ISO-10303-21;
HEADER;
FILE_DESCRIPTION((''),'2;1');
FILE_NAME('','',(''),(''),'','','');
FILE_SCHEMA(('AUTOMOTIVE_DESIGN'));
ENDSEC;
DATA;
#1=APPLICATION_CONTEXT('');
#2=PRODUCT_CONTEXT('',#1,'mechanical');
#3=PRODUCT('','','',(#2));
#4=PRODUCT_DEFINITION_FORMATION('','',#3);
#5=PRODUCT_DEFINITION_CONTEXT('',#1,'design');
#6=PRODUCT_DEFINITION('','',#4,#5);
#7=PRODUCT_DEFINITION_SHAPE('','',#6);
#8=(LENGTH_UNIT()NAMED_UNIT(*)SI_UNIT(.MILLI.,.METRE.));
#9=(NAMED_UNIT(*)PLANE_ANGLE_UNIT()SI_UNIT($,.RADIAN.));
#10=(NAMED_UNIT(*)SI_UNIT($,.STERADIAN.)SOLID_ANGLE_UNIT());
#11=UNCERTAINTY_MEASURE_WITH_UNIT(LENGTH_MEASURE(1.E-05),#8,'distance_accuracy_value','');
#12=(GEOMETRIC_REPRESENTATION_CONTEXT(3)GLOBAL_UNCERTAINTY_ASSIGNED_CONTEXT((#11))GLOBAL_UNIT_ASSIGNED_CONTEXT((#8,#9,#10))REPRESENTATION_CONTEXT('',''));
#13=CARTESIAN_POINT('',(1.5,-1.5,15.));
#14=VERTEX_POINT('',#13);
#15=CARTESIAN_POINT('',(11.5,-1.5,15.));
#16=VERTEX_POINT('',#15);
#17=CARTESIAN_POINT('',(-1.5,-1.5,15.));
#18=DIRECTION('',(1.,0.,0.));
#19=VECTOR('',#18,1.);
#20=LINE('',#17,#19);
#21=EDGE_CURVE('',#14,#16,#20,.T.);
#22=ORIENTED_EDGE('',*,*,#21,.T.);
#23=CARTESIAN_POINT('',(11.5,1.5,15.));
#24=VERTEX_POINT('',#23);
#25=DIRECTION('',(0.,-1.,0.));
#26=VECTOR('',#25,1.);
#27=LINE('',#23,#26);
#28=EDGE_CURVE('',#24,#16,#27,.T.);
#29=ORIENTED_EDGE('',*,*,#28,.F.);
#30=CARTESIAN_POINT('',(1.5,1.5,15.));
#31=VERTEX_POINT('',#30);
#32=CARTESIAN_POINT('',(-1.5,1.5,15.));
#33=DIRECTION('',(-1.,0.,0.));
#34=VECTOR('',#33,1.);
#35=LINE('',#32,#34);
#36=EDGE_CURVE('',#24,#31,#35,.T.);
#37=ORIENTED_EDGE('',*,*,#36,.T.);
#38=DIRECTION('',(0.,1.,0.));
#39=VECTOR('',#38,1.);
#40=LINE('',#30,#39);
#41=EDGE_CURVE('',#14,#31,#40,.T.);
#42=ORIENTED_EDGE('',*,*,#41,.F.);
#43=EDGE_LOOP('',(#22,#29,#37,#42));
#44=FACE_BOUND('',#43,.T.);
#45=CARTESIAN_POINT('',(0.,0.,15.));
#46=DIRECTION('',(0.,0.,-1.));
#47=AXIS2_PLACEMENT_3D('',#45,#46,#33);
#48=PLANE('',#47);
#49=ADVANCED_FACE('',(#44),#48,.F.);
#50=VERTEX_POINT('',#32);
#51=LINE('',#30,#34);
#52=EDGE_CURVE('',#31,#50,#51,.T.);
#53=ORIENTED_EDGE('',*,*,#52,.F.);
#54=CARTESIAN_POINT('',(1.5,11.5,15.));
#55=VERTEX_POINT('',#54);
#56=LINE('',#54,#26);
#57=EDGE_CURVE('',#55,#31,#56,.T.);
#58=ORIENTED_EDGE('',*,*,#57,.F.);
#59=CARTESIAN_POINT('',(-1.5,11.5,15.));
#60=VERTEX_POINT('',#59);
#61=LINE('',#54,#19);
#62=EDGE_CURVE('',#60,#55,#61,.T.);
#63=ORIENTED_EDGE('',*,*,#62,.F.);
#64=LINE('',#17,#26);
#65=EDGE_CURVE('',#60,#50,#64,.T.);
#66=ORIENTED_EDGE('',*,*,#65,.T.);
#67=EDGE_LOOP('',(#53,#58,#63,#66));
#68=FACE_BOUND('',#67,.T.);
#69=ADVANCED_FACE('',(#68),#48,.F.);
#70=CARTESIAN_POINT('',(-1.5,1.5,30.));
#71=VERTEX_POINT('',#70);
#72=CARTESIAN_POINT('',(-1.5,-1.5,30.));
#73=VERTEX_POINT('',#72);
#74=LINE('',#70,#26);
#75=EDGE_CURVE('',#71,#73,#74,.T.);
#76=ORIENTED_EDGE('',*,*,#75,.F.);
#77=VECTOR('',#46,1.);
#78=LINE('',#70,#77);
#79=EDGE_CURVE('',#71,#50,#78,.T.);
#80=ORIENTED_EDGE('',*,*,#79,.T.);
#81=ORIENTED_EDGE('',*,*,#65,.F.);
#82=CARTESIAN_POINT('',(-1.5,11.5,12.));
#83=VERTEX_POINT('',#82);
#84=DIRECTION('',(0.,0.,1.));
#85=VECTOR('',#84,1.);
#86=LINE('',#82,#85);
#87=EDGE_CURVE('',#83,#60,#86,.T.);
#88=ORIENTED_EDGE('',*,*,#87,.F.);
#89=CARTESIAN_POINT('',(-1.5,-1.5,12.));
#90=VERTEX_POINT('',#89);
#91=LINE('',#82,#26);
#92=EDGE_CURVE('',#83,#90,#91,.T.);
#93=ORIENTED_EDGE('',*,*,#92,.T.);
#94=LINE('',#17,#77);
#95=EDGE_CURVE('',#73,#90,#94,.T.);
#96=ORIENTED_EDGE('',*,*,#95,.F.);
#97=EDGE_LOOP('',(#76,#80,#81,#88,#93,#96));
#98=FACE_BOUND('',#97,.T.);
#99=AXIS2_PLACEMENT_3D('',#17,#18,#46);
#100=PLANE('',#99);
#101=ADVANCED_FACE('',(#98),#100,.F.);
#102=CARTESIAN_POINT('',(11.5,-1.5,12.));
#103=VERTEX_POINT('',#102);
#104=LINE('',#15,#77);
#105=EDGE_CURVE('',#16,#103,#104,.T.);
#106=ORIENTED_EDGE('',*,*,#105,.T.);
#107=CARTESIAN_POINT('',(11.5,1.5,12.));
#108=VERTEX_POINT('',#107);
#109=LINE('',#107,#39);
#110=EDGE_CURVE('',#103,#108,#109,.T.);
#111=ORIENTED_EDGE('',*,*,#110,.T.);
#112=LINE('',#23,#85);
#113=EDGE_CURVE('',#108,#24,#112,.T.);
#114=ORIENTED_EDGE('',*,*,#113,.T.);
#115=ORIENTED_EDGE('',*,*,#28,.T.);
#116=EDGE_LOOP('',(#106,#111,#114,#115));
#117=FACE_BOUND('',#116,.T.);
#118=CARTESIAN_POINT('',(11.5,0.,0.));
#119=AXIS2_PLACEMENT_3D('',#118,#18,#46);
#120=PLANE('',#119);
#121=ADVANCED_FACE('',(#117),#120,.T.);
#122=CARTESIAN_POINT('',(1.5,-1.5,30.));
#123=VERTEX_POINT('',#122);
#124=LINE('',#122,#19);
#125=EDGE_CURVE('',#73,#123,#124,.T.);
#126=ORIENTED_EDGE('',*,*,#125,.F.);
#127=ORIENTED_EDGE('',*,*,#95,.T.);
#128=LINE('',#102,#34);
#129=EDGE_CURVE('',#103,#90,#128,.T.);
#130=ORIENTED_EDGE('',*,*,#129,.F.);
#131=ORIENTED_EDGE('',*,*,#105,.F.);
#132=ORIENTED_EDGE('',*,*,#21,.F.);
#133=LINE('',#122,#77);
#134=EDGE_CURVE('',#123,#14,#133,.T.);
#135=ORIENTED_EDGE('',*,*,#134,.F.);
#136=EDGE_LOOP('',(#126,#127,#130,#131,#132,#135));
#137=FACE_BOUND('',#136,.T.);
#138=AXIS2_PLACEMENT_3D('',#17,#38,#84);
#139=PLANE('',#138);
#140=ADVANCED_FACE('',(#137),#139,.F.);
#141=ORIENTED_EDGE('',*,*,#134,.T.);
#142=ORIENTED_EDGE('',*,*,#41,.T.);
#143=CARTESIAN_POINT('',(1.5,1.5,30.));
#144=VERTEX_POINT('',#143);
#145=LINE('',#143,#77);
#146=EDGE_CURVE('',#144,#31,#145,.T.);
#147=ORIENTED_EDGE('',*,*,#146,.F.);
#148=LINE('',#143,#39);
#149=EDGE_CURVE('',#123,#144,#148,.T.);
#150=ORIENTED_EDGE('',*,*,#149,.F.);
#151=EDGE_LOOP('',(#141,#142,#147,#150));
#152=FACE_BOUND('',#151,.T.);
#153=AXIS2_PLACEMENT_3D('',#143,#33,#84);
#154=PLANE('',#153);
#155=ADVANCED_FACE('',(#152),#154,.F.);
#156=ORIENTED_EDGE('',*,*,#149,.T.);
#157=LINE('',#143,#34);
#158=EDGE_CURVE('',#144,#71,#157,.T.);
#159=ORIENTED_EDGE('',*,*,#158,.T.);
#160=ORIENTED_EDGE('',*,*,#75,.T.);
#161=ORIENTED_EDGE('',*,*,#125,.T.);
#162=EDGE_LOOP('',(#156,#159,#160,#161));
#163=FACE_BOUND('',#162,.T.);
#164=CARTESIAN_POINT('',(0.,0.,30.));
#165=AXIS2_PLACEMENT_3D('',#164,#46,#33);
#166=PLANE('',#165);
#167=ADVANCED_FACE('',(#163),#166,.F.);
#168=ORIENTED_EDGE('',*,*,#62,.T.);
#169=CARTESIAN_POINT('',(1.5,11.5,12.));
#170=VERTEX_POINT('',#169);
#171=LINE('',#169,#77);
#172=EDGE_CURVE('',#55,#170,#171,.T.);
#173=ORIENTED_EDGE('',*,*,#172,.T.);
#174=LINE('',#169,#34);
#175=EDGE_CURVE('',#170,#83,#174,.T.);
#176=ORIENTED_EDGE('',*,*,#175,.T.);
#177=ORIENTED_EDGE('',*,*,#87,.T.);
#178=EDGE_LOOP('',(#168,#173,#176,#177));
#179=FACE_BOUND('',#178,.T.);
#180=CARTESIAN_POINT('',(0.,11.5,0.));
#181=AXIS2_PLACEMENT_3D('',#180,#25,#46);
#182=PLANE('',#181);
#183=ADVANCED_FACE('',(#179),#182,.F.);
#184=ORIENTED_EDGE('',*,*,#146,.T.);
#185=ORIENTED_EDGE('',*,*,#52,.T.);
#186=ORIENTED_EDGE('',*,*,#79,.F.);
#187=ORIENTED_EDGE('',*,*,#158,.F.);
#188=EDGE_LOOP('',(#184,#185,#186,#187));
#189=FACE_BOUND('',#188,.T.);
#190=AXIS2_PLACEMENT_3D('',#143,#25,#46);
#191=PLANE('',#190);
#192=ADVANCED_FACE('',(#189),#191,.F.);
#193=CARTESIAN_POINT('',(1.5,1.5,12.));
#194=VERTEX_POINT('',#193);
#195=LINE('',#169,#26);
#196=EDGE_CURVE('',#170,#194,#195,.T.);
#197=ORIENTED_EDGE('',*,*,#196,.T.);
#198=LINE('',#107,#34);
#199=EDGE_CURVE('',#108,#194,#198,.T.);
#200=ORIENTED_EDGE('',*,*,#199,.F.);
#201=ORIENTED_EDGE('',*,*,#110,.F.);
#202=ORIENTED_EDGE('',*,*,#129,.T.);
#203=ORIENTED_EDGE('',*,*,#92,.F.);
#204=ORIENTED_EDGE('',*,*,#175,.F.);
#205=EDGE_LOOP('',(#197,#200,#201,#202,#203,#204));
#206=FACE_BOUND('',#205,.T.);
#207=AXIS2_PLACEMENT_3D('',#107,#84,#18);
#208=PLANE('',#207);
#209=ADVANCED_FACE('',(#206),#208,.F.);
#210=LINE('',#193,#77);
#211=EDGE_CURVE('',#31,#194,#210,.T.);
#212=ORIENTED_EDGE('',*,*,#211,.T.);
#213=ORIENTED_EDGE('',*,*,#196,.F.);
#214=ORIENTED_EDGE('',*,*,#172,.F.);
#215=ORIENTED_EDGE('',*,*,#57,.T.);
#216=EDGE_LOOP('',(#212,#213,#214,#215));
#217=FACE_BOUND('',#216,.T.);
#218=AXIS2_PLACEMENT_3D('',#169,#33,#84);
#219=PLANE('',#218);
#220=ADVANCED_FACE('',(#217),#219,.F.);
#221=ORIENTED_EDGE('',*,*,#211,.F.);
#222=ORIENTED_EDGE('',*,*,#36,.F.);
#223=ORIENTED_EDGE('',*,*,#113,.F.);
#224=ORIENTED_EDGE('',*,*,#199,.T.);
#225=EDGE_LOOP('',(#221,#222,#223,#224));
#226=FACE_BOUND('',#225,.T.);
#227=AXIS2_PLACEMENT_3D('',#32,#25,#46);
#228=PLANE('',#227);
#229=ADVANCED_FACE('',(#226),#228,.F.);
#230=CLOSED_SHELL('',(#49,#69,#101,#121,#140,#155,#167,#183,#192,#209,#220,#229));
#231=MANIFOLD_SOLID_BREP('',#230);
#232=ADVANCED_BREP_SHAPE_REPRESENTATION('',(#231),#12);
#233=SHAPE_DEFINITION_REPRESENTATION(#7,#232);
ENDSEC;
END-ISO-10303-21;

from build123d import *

# Parameters (mm, degrees)
SKETCH1_W           = 3
SKETCH1_H           = 3
BOSS_EXTRUDE2_DEPTH = 15
SKETCH2_W           = 3
SKETCH2_H           = 3
BOSS_EXTRUDE3_DEPTH = 10
SKETCH3_W           = 3
SKETCH3_H           = 3
BOSS_EXTRUDE4_DEPTH = 10
SKETCH4_W           = 3
SKETCH4_H           = 3
BOSS_EXTRUDE5_DEPTH = 15
SKETCH1_2_W         = 3
SKETCH1_2_H         = 3
CUT_EXTRUDE1_DEPTH  = 12


with BuildPart() as part:
    # Sketch1 → Boss-Extrude2 (new body)
    with BuildSketch(Plane.XY):
        Rectangle(SKETCH1_W, SKETCH1_H)
    extrude(amount=BOSS_EXTRUDE2_DEPTH)

    # Sketch2 → Boss-Extrude3 (add)
    with BuildSketch(Plane(origin=(1.5, 0, 0), x_dir=(0, 0, -1), z_dir=(1, 0, 0))):
        with Locations((-13.5, 0)):
            Rectangle(SKETCH2_W, SKETCH2_H)
    extrude(amount=BOSS_EXTRUDE3_DEPTH)

    # Sketch3 → Boss-Extrude4 (add)
    with BuildSketch(Plane(origin=(0, 1.5, 0), x_dir=(1, 0, 0), z_dir=(0, 1, 0))):
        with Locations((0, -13.5)):
            Rectangle(SKETCH3_W, SKETCH3_H)
    extrude(amount=BOSS_EXTRUDE4_DEPTH)

    # Sketch4 → Boss-Extrude5 (add)
    with BuildSketch(Plane.XY.offset(15)):
        Rectangle(SKETCH4_W, SKETCH4_H)
    extrude(amount=BOSS_EXTRUDE5_DEPTH)

    # Sketch1<2> → Cut-Extrude1 (cut)
    with BuildSketch(Plane.XY):
        Rectangle(SKETCH1_2_W, SKETCH1_2_H)
    extrude(amount=CUT_EXTRUDE1_DEPTH, mode=Mode.SUBTRACT)


solid = part.part
